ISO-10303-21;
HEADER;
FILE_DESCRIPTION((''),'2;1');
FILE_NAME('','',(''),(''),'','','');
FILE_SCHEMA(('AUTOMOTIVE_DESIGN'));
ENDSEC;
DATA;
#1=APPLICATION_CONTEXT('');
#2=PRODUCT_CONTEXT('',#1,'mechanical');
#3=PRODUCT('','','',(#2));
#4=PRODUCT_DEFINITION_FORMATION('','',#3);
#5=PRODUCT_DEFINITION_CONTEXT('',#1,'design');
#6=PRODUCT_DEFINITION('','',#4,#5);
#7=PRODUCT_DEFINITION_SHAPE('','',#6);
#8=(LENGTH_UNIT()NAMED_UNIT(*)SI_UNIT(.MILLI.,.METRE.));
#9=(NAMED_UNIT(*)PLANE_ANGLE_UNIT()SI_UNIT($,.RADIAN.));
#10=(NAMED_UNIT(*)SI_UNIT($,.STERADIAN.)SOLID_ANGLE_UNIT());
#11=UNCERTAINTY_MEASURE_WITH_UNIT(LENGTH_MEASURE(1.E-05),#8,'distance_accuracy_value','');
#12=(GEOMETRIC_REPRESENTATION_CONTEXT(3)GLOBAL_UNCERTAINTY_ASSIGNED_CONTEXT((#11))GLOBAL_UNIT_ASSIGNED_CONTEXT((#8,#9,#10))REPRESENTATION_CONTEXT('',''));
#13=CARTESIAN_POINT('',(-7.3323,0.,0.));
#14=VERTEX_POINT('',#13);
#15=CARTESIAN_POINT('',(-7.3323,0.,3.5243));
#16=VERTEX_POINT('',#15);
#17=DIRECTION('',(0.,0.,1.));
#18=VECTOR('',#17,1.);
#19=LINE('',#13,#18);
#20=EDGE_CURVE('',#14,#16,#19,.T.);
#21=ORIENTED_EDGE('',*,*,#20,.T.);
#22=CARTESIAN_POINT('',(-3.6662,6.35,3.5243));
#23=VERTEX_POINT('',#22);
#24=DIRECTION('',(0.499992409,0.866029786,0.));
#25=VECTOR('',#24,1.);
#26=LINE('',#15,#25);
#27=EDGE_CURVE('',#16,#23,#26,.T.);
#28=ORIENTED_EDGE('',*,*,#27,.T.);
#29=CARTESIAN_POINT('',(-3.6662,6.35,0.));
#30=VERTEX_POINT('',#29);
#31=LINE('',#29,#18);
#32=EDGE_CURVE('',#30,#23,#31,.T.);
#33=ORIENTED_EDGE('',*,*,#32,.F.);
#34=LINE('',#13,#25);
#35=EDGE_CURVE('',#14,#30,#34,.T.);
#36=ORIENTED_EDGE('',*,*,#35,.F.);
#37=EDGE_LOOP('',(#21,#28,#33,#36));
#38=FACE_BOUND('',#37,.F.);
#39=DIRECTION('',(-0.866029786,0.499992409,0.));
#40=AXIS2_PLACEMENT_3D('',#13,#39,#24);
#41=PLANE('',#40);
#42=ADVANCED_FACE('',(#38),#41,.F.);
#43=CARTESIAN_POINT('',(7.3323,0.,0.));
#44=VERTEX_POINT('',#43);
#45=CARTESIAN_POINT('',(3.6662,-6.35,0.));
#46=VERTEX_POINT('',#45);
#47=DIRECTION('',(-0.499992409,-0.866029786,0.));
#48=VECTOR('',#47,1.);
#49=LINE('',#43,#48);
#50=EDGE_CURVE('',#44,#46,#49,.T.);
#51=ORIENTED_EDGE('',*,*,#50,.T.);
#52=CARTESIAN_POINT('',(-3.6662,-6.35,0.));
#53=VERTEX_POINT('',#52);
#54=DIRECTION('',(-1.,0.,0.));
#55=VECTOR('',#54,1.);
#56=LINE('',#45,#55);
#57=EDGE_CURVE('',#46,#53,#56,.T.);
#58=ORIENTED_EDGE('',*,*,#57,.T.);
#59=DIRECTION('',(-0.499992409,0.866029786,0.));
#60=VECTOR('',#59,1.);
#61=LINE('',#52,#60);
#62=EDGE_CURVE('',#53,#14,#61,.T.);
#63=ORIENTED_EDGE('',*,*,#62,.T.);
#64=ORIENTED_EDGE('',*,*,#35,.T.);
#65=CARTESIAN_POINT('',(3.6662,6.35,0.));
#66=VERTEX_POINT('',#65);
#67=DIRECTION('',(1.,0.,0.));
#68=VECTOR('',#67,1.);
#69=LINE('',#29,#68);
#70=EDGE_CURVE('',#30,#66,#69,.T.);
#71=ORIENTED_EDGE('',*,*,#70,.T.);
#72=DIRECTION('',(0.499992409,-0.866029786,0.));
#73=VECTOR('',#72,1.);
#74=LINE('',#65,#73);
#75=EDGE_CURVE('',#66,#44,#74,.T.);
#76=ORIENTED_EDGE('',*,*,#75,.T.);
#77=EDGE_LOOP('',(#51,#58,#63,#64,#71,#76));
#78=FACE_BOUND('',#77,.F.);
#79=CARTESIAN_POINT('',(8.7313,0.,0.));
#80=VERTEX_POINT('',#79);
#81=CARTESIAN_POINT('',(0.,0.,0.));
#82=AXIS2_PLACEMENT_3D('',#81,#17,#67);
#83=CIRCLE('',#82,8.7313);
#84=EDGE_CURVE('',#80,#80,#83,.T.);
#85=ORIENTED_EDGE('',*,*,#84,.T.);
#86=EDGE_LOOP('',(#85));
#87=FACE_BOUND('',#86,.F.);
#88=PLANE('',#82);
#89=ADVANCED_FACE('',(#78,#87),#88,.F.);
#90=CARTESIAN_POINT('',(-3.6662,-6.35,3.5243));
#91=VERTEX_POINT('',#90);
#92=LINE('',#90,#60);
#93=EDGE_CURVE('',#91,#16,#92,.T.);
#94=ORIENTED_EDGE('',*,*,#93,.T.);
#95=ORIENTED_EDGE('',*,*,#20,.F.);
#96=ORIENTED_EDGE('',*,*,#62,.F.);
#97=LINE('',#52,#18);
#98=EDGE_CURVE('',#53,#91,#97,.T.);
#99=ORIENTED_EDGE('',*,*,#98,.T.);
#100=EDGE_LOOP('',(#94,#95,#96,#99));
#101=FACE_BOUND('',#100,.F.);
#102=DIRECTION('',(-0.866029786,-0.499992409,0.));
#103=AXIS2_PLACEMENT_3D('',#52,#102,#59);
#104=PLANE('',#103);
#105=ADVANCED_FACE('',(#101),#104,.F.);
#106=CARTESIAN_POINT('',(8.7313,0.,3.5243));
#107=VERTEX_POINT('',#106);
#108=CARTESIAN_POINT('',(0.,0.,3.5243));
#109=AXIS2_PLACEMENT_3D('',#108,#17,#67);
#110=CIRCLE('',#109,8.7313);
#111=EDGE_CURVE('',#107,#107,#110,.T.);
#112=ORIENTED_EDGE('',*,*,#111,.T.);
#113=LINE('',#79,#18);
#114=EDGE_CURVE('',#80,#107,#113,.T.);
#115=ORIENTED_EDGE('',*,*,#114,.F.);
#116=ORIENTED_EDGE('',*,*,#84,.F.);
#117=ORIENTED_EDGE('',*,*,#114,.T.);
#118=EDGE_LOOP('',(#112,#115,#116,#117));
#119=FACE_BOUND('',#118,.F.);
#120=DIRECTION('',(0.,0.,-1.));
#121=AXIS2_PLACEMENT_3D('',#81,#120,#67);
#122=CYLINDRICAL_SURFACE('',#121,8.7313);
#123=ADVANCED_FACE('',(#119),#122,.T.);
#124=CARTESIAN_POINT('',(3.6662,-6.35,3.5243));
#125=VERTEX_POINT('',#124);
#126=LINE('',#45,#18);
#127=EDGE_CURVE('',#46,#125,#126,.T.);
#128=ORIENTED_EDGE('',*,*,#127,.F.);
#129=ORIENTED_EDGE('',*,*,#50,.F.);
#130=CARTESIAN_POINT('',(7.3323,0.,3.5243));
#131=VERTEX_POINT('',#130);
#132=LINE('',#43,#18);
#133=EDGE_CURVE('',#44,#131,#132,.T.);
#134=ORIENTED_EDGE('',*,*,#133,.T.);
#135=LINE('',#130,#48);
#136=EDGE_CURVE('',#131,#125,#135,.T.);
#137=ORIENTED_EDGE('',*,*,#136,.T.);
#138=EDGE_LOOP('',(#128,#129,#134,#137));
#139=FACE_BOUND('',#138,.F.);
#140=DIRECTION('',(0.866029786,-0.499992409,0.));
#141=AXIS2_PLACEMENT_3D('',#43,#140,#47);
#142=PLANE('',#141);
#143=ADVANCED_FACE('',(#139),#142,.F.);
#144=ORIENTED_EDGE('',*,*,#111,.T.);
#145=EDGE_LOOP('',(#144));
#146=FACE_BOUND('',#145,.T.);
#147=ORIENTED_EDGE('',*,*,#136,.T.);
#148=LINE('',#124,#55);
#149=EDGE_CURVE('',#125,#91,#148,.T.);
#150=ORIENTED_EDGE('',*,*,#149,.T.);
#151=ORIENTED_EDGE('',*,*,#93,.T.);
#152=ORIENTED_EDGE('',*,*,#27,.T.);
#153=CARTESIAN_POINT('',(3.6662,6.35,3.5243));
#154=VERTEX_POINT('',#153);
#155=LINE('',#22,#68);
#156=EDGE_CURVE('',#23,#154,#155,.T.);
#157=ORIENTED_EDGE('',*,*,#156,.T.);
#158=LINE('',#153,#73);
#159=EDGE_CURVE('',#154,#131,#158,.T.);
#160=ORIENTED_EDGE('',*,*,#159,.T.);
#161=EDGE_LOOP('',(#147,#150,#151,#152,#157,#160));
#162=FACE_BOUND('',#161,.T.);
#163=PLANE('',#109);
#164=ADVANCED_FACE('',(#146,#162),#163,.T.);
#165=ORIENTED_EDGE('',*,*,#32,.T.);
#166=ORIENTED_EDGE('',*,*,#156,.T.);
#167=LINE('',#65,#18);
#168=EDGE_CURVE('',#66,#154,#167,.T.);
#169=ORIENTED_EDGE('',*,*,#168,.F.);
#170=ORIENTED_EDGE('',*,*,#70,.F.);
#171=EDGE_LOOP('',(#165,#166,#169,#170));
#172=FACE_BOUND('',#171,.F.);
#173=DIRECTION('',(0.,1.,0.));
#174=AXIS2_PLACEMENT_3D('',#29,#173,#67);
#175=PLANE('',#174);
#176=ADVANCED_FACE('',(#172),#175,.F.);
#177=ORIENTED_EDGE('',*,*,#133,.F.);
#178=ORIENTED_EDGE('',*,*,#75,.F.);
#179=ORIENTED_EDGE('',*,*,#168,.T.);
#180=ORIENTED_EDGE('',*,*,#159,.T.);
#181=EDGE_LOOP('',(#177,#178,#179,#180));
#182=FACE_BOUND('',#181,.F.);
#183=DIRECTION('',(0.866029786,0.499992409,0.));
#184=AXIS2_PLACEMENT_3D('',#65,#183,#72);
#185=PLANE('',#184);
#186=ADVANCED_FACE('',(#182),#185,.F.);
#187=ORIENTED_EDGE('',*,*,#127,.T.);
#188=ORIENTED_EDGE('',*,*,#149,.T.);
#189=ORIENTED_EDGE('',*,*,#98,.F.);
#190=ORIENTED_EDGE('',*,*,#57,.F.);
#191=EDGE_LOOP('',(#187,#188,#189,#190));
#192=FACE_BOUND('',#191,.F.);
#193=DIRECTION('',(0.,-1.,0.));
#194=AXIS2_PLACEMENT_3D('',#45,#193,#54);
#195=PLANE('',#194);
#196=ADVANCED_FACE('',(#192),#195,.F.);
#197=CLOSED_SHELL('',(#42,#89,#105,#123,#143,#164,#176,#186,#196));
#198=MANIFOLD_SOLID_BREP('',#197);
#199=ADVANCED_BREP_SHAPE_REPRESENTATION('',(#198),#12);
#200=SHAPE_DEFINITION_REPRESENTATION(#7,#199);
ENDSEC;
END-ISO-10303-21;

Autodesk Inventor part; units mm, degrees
ref_plane "YZ Plane" through (0, 0, 0) normal (1, 0, 0) x (0, 1, 0)
ref_plane "XZ Plane" through (0, 0, 0) normal (0, 1, 0) x (-1, 0, 0)
ref_plane "XY Plane" through (0, 0, 0) normal (0, 0, 1) x (1, 0, 0)
sketch "Sketch1" plane through (0, 0, 0) normal (0, 0, 1) x (1, 0, 0)
  circle A0 centre (0, 0) radius 8.7313
  line L0 (-7.3323, 0) -> (-3.6662, 6.35)
  line L1 (-3.6662, 6.35) -> (3.6662, 6.35)
  line L2 (3.6662, 6.35) -> (7.3323, 0)
  line L3 (7.3323, 0) -> (3.6662, -6.35)
  line L4 (3.6662, -6.35) -> (-3.6662, -6.35)
  line L5 (-3.6662, -6.35) -> (-7.3323, 0)
  dimension "d0" = 12.7
  dimension "d1" = 17.4625
extrude "Extrusion1" add sketch "Sketch1" along normal blind 3.5243
properties part number "Wheel - Sprocket Spacer"
